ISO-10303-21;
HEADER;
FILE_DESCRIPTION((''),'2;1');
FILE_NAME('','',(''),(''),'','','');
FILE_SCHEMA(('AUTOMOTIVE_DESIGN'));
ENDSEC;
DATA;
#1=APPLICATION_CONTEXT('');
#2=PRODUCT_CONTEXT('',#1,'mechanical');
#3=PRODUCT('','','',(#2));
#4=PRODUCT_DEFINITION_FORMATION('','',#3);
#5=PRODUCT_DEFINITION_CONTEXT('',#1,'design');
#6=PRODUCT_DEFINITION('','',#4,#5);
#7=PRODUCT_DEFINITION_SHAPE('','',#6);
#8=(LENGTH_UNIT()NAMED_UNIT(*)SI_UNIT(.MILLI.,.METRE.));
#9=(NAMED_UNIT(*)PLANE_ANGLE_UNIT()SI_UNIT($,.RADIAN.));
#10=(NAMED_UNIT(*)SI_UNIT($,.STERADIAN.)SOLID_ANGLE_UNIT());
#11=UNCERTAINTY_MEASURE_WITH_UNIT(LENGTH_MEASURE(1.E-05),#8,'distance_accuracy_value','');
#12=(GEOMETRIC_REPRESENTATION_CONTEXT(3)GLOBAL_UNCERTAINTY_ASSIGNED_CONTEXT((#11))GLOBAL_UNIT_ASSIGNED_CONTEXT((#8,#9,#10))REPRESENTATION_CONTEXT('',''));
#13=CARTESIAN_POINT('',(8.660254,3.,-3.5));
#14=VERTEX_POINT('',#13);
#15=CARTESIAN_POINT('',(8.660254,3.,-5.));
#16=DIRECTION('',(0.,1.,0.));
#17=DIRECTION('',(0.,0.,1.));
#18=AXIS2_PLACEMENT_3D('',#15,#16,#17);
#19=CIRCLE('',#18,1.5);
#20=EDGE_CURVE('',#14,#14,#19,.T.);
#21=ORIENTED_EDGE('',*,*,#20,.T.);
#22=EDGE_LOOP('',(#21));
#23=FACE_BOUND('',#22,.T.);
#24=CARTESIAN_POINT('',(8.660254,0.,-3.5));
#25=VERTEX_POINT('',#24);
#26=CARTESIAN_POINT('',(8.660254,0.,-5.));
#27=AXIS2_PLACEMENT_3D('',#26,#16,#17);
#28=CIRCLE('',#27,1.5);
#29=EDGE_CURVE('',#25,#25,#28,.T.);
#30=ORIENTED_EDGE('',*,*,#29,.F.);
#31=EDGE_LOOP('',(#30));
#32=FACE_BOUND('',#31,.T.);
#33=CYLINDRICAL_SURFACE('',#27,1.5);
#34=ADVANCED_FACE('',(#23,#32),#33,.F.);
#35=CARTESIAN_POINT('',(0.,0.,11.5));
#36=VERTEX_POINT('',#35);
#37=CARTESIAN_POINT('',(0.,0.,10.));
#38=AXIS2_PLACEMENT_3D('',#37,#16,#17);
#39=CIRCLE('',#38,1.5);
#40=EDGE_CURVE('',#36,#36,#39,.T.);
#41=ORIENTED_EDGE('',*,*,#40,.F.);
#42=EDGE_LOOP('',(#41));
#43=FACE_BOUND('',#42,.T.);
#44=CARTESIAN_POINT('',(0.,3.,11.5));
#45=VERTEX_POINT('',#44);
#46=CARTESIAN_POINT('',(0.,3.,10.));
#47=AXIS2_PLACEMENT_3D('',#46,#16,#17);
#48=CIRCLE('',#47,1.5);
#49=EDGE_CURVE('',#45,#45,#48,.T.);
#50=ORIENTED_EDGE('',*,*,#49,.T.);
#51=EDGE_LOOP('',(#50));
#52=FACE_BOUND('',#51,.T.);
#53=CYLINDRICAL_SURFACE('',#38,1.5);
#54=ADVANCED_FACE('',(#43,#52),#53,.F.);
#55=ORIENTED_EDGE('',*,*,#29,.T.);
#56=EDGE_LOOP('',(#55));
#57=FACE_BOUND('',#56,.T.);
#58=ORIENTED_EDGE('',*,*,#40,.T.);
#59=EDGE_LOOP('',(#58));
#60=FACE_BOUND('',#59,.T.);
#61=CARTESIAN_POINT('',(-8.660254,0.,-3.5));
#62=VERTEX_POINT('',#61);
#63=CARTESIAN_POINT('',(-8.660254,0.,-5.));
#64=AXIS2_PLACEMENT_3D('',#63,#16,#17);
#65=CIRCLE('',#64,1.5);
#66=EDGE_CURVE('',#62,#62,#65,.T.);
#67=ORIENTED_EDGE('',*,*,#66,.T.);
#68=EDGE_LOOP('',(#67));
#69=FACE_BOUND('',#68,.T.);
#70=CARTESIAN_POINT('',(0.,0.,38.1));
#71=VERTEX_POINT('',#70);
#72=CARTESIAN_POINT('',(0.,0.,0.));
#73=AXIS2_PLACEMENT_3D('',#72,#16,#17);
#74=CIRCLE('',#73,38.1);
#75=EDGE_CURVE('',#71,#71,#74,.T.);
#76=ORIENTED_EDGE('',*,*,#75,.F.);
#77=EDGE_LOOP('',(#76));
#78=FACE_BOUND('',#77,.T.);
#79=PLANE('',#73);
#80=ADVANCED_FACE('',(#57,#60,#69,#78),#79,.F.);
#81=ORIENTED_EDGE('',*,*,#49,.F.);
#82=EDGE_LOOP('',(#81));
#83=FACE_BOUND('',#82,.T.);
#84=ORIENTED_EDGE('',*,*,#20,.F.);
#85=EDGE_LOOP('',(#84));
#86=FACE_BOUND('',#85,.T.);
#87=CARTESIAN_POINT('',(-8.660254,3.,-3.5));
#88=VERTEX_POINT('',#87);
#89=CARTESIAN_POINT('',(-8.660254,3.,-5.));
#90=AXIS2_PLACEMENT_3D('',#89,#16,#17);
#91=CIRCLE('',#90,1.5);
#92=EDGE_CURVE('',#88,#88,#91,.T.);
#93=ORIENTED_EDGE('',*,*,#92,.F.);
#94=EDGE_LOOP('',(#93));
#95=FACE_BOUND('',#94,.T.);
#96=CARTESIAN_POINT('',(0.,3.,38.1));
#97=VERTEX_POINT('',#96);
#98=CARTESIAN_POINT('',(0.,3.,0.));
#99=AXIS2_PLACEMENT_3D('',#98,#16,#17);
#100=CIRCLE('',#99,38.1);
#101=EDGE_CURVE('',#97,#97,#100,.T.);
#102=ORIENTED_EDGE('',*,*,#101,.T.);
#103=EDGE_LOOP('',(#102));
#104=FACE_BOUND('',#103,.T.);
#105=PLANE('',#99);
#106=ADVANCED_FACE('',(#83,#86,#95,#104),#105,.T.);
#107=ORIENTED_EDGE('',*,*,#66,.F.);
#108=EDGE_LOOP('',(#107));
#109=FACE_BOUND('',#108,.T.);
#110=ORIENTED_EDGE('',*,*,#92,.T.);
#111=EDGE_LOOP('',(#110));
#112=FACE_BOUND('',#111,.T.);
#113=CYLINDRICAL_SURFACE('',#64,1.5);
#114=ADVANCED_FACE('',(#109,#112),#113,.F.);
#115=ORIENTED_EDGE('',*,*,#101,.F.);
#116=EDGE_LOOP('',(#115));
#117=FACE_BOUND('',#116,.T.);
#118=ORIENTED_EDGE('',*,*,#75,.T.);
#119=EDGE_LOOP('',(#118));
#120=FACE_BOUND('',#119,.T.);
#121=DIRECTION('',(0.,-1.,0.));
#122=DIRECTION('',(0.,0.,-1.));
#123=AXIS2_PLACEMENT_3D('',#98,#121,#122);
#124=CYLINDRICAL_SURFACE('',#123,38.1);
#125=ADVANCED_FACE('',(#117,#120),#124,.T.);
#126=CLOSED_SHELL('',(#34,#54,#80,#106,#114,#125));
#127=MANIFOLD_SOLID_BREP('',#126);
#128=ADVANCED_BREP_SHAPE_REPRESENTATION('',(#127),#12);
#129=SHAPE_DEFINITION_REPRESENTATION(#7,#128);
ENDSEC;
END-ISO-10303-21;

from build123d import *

# Parameters (mm, degrees)
SKETCH1_R           = 38.1
BOSS_EXTRUDE1_DEPTH = 3
SKETCH3_R           = 1.5
CUT_EXTRUDE2_DEPTH  = 54.96498865


with BuildPart() as part:
    # Sketch1 → Boss-Extrude1 (new body)
    with BuildSketch(Plane(origin=(0, 0, 0), x_dir=(1, 0, 0), z_dir=(0, 1, 0))):
        with Locations(Location((0, 0, 0), (0, 0, 270))):
            Circle(SKETCH1_R)
    extrude(amount=BOSS_EXTRUDE1_DEPTH)

    # Sketch3 → Cut-Extrude2 (cut, through all)
    with BuildSketch(Plane(origin=(0, 3, 0), x_dir=(1, 0, 0), z_dir=(0, 1, 0))):
        with Locations(Location((-8.660254038, 5, 0), (0, 0, 270))):
            Circle(SKETCH3_R)
        with Locations(Location((8.660254038, 5, 0), (0, 0, 270))):
            Circle(SKETCH3_R)
        with Locations(Location((0, -10, 0), (0, 0, 270))):
            Circle(SKETCH3_R)
    extrude(amount=-CUT_EXTRUDE2_DEPTH, mode=Mode.SUBTRACT)


solid = part.part
